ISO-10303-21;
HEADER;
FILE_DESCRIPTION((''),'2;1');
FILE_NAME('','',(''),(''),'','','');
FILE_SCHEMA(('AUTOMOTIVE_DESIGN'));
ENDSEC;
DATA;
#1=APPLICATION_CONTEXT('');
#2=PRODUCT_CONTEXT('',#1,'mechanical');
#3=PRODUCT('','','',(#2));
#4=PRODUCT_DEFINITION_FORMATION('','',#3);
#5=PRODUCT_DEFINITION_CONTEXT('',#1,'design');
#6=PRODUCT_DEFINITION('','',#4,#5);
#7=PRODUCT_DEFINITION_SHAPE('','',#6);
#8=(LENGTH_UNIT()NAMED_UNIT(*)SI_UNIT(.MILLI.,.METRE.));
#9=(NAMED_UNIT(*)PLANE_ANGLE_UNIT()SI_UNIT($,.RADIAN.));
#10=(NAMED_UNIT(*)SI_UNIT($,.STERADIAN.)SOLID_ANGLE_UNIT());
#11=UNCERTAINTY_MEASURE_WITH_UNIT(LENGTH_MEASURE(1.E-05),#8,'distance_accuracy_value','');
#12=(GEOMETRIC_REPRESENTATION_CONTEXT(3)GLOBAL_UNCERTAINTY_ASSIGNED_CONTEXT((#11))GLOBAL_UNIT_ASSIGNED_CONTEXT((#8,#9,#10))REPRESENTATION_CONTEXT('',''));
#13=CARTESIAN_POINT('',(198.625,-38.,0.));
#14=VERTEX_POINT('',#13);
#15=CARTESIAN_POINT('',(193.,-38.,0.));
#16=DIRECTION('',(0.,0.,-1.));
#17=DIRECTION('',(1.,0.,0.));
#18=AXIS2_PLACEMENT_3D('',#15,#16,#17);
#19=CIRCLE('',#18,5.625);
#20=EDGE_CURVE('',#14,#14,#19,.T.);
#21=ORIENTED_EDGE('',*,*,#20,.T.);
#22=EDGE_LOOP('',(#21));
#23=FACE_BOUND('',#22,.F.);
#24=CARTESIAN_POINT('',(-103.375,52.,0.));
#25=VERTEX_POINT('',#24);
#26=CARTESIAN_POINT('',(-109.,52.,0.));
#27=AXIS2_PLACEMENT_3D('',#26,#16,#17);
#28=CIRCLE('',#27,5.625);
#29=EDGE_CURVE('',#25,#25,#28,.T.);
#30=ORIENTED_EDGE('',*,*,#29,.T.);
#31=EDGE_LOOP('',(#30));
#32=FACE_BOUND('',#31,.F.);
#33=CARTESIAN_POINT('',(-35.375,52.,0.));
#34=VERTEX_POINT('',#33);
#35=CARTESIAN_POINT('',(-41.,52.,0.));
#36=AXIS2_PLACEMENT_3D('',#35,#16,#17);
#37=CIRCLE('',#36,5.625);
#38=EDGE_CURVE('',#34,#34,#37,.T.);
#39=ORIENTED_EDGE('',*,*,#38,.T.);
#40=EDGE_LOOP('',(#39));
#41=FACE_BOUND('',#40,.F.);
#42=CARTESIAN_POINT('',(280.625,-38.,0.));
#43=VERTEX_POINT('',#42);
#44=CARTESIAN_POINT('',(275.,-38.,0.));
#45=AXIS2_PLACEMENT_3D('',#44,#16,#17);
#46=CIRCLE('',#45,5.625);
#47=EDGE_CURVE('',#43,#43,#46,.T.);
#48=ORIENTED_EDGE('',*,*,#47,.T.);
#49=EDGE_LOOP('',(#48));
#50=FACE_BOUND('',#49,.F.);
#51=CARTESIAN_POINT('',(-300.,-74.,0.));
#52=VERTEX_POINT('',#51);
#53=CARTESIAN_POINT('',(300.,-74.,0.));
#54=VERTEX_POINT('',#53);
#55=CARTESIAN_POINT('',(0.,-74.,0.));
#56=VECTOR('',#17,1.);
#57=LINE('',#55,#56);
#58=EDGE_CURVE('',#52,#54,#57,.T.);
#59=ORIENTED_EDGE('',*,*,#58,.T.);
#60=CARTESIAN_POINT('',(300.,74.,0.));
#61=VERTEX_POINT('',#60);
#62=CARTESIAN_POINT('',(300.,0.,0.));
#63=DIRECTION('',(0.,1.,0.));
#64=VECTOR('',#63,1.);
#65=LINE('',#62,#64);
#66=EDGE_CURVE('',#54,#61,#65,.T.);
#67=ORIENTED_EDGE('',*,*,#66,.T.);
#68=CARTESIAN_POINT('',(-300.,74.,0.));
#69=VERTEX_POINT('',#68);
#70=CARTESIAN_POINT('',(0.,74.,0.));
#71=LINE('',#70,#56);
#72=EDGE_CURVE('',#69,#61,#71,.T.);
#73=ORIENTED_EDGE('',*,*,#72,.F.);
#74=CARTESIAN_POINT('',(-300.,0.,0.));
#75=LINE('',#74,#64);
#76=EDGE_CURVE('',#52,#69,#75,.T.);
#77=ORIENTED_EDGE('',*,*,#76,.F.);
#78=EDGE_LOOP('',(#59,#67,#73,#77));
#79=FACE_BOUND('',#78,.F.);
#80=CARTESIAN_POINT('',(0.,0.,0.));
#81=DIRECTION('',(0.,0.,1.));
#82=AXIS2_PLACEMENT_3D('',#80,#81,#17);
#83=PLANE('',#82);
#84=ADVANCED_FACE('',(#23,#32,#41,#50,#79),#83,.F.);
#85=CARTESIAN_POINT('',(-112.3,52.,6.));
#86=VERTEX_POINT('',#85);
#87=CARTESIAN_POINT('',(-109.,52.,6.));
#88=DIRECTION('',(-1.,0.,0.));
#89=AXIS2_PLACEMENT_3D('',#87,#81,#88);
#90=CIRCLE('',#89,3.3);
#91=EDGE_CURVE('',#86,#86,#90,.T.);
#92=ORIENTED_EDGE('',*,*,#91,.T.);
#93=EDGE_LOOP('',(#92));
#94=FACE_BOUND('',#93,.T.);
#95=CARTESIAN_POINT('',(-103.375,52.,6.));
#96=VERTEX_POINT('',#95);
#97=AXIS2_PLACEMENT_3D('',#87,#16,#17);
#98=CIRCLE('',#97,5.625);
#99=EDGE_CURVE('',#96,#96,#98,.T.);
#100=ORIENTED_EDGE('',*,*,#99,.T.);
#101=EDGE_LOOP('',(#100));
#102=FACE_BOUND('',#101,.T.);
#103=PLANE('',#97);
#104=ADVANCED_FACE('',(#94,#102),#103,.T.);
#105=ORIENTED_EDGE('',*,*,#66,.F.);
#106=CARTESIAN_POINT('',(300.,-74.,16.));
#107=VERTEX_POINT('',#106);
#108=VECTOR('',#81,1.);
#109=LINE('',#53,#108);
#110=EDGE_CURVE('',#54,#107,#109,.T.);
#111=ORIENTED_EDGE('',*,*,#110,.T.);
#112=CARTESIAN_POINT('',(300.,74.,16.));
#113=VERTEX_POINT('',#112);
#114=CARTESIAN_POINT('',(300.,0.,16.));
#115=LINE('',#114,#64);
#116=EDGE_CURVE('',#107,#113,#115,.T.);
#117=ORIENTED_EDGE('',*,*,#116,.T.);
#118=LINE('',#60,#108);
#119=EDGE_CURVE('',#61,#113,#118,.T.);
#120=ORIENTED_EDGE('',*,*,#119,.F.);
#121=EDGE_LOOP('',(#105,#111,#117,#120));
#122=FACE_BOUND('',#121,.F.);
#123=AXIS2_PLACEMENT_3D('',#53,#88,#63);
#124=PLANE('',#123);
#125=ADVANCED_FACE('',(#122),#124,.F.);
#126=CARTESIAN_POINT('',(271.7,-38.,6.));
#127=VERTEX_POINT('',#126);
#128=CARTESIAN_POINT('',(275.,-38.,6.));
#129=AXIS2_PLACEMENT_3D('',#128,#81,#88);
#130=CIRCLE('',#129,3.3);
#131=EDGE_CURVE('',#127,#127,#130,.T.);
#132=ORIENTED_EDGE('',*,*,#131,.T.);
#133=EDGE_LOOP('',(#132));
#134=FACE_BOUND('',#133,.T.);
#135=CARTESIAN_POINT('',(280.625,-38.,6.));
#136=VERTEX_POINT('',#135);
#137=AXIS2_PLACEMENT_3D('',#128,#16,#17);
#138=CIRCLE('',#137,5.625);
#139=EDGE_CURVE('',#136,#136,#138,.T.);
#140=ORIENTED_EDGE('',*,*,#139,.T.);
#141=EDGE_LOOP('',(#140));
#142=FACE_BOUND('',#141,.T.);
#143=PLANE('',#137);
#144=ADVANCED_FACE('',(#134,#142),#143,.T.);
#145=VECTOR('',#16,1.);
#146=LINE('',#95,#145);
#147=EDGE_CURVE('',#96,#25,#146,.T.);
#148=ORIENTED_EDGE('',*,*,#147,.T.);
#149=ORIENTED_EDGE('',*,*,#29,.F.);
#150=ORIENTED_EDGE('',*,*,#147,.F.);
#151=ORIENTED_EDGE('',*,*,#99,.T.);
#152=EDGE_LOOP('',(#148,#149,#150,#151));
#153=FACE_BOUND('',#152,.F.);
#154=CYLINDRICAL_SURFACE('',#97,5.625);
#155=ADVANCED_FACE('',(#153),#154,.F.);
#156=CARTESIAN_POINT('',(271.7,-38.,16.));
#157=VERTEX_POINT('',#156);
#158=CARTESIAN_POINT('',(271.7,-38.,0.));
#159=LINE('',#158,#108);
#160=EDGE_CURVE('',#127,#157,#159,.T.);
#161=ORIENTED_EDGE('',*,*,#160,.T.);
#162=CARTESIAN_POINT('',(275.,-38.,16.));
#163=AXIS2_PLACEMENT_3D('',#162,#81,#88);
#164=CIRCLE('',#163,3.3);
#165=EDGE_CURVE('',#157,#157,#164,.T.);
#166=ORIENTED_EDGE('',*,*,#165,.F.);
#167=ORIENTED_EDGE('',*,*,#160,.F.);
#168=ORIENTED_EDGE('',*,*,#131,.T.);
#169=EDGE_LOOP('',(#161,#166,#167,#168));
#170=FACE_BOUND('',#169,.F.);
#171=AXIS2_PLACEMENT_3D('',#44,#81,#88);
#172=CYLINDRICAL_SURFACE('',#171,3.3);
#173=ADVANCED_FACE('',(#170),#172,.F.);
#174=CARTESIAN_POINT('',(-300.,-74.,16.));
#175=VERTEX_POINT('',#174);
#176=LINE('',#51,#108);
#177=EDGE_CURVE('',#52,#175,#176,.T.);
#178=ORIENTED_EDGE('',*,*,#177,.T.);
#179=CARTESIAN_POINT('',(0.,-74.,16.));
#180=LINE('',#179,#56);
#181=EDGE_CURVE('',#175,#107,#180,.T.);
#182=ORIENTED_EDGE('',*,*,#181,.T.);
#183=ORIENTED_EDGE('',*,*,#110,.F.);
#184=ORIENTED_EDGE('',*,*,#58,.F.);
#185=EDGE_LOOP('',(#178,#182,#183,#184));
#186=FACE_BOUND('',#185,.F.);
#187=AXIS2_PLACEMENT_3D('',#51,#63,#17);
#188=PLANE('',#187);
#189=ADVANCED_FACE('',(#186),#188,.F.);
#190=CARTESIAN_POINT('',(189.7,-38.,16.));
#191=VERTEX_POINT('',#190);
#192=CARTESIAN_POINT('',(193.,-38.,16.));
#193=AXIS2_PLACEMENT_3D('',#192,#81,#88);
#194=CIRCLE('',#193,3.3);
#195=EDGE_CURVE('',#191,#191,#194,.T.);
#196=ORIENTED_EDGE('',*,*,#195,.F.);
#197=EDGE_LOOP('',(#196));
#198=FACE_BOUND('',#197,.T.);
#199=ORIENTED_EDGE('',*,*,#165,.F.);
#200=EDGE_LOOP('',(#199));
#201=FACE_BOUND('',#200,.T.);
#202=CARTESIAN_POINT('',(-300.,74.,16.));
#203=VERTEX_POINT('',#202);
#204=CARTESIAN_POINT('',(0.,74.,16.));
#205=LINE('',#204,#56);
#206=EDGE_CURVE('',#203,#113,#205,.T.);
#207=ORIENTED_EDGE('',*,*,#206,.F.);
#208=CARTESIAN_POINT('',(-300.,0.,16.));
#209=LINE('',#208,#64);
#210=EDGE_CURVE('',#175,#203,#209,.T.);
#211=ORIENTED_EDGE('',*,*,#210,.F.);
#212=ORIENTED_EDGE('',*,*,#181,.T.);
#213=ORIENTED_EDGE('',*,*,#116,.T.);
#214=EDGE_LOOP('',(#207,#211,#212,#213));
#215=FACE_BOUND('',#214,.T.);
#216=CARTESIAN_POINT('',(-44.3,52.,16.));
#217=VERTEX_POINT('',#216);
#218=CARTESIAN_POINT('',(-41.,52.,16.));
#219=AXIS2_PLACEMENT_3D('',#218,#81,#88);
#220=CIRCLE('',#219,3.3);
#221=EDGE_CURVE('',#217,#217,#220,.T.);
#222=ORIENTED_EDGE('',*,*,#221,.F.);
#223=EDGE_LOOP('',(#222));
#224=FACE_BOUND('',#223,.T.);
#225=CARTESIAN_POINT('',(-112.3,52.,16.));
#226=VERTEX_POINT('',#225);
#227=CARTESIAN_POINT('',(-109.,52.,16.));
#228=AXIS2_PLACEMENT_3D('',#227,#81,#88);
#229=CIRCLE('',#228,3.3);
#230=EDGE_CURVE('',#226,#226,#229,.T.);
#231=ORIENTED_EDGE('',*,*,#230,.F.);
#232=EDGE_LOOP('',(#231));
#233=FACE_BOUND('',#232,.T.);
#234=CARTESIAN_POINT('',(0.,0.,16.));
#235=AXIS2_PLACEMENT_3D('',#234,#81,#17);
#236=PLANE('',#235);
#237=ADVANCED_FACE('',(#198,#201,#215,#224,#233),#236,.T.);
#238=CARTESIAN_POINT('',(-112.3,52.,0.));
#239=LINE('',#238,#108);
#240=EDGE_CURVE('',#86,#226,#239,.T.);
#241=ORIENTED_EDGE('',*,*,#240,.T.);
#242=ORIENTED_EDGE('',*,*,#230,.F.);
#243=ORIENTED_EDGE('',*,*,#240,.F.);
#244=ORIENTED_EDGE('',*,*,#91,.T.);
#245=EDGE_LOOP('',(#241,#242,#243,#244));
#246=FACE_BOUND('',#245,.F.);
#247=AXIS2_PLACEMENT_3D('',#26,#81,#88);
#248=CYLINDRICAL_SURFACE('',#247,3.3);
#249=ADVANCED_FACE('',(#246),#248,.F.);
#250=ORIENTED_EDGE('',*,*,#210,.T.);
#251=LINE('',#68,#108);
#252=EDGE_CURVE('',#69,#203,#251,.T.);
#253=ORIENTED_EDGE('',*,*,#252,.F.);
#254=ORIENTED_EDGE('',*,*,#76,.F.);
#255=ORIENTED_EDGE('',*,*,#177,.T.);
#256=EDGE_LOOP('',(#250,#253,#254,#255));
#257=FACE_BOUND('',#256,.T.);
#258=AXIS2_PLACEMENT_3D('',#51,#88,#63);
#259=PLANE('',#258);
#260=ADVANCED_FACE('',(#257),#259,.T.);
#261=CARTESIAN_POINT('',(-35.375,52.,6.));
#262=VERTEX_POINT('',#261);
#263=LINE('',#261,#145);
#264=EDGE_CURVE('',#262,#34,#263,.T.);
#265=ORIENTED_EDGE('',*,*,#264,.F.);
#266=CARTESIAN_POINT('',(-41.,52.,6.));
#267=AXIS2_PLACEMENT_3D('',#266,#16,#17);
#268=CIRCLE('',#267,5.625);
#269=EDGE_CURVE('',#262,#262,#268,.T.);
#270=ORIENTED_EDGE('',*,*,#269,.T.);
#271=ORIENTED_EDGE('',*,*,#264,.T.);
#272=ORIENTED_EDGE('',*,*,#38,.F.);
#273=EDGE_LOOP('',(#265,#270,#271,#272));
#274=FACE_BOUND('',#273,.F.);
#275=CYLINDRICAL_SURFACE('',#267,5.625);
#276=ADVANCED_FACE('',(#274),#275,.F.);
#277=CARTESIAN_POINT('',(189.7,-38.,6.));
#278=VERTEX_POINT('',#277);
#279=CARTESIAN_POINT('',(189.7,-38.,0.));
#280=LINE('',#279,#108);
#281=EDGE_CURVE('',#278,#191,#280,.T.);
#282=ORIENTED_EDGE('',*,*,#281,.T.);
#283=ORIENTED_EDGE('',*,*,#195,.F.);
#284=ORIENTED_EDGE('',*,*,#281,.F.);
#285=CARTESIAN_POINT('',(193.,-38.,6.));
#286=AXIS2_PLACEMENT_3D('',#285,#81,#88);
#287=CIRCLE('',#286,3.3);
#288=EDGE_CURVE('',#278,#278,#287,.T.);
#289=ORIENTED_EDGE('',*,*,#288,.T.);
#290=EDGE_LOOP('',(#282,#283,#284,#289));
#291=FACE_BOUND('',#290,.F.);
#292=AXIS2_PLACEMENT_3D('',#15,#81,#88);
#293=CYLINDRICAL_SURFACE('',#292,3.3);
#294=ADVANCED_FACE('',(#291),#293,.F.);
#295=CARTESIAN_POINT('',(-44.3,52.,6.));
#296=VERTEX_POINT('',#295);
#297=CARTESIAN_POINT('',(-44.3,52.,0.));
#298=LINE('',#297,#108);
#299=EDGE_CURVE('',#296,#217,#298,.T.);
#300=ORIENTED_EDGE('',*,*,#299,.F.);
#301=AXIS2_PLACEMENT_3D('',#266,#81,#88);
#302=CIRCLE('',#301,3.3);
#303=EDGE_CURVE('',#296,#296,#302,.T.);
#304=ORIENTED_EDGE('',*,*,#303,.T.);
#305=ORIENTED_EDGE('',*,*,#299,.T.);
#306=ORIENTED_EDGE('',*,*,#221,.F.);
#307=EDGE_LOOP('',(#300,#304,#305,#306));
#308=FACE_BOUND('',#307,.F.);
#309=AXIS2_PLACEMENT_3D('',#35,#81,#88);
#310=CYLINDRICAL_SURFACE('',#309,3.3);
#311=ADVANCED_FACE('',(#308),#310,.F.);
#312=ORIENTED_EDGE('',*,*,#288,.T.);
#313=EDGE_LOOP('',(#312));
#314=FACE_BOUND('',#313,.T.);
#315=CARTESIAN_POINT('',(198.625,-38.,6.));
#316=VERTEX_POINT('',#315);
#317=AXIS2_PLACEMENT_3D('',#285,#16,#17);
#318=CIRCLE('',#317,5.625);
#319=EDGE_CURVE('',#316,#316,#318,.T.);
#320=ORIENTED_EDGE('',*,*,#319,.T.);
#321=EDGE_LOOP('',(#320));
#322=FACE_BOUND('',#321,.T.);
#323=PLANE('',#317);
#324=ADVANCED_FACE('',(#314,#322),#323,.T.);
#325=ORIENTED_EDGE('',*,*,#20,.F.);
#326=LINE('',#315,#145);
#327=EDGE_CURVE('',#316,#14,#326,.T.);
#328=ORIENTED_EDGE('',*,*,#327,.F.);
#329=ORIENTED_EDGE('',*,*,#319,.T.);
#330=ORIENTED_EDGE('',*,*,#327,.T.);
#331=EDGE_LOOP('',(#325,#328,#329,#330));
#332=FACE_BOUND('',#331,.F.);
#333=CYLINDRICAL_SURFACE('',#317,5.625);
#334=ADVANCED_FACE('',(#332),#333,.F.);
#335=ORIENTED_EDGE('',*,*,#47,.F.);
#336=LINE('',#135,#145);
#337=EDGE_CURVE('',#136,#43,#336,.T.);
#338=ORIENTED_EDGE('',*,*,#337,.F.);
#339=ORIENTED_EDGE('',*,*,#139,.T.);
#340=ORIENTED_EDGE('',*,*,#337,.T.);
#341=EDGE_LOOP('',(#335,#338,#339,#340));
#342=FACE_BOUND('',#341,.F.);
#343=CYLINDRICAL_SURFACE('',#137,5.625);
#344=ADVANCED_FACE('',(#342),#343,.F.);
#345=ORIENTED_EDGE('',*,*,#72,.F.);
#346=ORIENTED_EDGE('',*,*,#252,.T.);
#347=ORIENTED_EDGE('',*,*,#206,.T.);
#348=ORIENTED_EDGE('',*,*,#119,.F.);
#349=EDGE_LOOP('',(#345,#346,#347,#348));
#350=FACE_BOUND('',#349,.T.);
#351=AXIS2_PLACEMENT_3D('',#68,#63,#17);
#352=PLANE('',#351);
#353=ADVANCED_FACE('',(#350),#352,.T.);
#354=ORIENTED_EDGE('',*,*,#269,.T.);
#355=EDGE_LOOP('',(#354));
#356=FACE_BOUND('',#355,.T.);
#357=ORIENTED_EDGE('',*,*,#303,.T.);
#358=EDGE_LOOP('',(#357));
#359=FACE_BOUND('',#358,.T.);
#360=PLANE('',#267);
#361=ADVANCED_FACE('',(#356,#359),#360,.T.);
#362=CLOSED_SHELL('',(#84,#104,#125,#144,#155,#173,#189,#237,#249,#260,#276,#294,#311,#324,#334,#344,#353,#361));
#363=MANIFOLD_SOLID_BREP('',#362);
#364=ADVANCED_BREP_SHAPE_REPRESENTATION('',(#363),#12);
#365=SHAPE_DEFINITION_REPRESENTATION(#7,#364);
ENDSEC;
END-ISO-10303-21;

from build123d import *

# Parameters (mm, degrees)
F0_W           = 600
F0_H           = 148
F1_DEPTH       = 16
F5_D           = 6.6
F5_CBORE_D     = 11.25
F5_CBORE_DEPTH = 6


with BuildPart() as f1:
    # F0 (on Top) → F1 (new body)
    with BuildSketch(Plane.XY):
        Rectangle(F0_W, F0_H)
    extrude(amount=F1_DEPTH)

    # F5 (through all)
    with Locations(Plane(origin=(0, 0, 0), x_dir=(1, 0, 0), z_dir=(0, 0, -1))):
        with Locations((-109, -52), (-41, -52), (193, 38), (275, 38)):
            CounterBoreHole(F5_D / 2, F5_CBORE_D / 2, F5_CBORE_DEPTH)


solid = f1.part
